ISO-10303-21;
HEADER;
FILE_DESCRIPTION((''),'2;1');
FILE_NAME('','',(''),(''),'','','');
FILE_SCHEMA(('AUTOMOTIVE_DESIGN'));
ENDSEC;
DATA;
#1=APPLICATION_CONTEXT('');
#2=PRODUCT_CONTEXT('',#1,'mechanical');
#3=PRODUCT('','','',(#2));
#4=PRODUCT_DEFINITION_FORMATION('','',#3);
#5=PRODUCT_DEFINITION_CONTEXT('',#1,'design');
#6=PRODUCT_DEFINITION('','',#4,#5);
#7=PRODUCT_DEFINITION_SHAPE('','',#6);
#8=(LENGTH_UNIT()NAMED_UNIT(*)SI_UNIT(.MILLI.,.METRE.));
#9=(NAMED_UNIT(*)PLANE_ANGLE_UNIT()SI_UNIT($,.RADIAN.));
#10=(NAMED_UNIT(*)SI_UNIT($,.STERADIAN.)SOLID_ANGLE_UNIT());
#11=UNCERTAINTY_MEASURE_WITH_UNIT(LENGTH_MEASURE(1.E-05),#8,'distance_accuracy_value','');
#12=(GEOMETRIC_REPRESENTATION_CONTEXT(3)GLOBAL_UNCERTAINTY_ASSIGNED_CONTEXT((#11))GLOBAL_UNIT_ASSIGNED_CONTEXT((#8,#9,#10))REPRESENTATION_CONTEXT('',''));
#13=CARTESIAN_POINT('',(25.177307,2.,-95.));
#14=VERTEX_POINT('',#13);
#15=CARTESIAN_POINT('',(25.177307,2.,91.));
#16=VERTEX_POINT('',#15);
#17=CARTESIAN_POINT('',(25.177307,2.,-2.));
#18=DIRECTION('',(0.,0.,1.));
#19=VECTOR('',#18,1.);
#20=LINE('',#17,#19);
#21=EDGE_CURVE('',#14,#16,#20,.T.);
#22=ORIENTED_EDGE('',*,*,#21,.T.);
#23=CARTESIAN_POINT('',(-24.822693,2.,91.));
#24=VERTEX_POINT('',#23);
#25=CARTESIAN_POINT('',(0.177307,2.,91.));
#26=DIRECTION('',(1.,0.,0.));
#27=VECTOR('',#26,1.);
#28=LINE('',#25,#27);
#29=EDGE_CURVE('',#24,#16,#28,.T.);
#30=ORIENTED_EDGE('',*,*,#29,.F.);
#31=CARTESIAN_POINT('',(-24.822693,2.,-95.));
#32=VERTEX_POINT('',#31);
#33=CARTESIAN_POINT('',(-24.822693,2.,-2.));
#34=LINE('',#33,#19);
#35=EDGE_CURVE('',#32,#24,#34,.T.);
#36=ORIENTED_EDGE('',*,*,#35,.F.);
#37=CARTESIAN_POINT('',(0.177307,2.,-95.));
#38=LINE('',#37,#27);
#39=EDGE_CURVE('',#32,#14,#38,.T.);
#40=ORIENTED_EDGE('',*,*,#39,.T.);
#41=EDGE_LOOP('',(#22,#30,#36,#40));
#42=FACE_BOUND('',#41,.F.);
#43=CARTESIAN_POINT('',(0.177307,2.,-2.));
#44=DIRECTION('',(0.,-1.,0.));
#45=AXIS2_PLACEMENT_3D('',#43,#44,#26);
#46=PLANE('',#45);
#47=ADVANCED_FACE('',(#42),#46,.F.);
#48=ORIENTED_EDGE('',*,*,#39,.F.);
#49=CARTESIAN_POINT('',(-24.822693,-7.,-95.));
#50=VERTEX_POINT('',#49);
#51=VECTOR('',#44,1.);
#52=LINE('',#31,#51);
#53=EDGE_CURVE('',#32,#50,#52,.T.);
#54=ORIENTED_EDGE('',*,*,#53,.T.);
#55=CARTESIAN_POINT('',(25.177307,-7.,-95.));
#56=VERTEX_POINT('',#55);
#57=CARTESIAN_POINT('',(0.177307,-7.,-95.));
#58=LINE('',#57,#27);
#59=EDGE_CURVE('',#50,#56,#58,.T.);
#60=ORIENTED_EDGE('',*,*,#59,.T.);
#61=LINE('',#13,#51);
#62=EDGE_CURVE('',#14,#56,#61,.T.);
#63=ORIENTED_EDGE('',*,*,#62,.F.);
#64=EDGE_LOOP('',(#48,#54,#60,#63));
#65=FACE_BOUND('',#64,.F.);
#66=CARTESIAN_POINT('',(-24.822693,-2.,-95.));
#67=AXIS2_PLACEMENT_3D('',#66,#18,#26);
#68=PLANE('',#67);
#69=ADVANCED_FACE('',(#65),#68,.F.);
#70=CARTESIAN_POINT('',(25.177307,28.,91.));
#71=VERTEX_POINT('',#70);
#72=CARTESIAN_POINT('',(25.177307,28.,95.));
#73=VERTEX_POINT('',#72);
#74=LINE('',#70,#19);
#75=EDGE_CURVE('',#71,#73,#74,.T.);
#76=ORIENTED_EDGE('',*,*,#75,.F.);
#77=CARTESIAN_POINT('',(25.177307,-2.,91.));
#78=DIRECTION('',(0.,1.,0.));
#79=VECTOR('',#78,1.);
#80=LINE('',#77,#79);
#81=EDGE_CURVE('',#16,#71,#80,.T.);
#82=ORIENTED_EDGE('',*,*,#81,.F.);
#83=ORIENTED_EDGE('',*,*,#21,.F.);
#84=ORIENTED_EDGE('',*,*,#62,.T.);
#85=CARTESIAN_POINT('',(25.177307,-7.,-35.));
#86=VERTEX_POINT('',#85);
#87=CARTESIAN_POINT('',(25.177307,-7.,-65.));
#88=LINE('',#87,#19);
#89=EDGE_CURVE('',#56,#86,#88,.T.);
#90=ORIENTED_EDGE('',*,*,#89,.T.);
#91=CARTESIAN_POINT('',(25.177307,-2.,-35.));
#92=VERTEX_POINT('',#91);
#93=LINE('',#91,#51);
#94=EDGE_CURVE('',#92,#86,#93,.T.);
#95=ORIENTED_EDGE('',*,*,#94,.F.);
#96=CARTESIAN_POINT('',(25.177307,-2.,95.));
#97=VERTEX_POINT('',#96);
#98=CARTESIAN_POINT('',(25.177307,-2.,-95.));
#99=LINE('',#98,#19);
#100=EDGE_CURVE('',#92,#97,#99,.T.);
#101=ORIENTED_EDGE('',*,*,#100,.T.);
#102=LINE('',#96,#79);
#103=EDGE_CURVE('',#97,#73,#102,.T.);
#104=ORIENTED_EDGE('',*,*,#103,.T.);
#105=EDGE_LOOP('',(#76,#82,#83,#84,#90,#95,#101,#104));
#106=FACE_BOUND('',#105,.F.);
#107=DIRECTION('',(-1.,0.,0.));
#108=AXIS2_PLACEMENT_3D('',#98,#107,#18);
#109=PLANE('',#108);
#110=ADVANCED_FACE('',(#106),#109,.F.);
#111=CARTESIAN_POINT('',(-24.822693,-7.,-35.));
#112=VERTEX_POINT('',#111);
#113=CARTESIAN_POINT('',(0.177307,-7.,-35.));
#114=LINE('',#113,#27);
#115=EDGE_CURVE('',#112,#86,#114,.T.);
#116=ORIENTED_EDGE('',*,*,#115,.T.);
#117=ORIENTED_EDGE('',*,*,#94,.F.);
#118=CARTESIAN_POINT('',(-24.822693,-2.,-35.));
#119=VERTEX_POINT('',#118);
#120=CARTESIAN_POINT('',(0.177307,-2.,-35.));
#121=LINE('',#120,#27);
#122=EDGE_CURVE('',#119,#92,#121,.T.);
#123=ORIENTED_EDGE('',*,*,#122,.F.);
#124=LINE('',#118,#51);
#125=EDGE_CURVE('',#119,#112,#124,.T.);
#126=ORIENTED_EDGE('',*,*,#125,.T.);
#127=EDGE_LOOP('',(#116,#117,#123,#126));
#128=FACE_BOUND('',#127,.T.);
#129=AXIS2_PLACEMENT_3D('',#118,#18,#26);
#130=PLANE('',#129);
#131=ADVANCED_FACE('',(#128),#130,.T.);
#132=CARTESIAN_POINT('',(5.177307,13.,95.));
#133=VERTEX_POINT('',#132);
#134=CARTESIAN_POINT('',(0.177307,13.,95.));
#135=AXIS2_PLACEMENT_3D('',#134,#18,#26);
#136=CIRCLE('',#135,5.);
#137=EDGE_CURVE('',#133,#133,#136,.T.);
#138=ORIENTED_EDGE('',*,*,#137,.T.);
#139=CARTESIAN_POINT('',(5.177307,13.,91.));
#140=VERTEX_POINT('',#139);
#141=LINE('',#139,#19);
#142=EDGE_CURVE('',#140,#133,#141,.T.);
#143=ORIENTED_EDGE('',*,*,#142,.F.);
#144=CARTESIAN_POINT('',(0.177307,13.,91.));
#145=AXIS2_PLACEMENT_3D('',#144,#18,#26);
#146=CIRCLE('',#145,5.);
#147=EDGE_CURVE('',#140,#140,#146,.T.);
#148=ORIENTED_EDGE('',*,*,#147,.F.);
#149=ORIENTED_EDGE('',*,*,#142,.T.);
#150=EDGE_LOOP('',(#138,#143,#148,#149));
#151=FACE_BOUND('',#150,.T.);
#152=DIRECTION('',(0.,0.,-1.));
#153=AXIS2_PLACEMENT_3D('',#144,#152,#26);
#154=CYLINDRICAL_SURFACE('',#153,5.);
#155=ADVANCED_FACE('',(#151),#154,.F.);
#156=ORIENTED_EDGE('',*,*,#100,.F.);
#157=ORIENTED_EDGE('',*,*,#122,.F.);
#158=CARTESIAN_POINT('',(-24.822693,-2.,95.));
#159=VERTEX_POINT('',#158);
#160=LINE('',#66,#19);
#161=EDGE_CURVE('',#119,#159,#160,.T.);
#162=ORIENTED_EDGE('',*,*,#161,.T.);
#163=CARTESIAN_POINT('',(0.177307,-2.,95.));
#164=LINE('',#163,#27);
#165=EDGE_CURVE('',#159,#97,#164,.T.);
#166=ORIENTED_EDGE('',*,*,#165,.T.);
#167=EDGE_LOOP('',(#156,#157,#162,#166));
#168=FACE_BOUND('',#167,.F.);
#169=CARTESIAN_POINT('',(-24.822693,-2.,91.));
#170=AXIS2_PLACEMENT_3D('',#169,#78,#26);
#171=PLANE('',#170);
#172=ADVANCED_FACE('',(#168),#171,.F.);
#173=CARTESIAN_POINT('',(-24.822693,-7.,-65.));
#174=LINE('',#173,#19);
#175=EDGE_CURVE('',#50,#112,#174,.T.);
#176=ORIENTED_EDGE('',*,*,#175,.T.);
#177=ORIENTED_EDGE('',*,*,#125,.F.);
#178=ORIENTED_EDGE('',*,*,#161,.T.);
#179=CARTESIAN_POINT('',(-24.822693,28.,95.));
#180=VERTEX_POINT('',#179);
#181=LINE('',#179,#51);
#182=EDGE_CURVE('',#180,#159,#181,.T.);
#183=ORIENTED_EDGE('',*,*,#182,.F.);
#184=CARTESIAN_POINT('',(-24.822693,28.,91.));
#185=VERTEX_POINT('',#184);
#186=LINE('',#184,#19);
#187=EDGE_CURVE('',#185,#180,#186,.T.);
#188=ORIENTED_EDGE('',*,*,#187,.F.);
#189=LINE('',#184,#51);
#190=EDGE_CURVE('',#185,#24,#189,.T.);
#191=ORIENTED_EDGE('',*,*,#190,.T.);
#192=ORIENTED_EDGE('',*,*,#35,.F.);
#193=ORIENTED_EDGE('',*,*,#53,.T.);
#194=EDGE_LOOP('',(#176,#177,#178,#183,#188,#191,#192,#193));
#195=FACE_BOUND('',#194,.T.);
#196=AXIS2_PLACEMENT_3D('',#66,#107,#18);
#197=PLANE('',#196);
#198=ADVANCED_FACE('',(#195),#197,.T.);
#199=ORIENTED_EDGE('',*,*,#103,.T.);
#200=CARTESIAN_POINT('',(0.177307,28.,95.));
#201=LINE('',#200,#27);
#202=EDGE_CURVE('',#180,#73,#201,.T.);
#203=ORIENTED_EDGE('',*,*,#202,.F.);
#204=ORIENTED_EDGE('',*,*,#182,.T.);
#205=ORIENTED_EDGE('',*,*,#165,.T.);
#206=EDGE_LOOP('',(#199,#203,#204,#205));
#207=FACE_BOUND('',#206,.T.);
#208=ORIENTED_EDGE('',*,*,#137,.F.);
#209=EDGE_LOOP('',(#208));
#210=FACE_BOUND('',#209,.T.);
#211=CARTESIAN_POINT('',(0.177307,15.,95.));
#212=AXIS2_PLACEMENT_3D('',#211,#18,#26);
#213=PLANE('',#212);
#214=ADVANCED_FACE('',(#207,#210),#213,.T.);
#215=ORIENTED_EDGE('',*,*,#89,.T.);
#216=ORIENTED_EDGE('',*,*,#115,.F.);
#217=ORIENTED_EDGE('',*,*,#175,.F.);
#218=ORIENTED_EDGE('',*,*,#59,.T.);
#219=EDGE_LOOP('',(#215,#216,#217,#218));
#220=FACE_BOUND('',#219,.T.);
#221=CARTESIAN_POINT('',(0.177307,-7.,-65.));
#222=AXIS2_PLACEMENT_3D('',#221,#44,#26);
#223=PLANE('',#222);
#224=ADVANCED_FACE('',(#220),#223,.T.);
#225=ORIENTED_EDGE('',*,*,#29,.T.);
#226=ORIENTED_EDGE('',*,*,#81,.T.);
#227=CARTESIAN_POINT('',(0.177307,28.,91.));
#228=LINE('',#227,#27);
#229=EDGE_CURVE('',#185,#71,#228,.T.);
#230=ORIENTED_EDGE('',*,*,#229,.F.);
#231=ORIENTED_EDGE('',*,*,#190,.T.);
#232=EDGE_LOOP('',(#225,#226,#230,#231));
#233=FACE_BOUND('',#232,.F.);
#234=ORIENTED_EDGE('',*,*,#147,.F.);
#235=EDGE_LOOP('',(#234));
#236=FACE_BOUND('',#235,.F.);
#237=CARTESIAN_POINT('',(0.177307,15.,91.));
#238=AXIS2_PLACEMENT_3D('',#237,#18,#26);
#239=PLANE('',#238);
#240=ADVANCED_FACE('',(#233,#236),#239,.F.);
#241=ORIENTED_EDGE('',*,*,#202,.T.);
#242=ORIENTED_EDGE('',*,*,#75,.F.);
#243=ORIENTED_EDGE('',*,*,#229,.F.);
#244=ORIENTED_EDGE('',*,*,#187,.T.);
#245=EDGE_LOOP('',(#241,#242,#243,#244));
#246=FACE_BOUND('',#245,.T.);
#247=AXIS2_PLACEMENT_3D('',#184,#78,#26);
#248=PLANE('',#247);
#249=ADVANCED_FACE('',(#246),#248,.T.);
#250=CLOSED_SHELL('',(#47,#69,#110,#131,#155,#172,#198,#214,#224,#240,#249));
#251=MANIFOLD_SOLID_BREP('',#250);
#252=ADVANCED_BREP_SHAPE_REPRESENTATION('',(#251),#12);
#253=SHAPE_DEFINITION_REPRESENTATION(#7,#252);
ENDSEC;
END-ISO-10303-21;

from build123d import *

# Parameters (mm, degrees)
F0_W     = 50
F0_H     = 186
F1_DEPTH = 2
F2_W     = 50
F2_H     = 26
F2_R     = 5
F2_H_2   = 4
F3_DEPTH = 4
F4_W     = 50
F4_H     = 60
F5_DEPTH = 5


with BuildPart() as f1:
    # F0 (on Front) → F1 (new body, symmetric)
    with BuildSketch(Plane.XZ):
        with Locations((0.1773070544, -2)):
            Rectangle(F0_W, F0_H)
    extrude(amount=F1_DEPTH, both=True)

    # F2 (on face) → F3 (join)
    with BuildSketch(Plane.XY.offset(91)):
        with Locations((0.1773070544, 15)):
            Rectangle(F2_W, F2_H)
        with Locations((0.1773070544, 13)):
            Circle(F2_R, mode=Mode.SUBTRACT)
        with Locations((0.1773070544, 0)):
            Rectangle(F2_W, F2_H_2)
    extrude(amount=F3_DEPTH)

    # F4 (on face) → F5 (join)
    with BuildSketch(Plane.XZ.offset(2)):
        with Locations((0.1773070544, -65)):
            Rectangle(F4_W, F4_H)
    extrude(amount=F5_DEPTH)


solid = f1.part
